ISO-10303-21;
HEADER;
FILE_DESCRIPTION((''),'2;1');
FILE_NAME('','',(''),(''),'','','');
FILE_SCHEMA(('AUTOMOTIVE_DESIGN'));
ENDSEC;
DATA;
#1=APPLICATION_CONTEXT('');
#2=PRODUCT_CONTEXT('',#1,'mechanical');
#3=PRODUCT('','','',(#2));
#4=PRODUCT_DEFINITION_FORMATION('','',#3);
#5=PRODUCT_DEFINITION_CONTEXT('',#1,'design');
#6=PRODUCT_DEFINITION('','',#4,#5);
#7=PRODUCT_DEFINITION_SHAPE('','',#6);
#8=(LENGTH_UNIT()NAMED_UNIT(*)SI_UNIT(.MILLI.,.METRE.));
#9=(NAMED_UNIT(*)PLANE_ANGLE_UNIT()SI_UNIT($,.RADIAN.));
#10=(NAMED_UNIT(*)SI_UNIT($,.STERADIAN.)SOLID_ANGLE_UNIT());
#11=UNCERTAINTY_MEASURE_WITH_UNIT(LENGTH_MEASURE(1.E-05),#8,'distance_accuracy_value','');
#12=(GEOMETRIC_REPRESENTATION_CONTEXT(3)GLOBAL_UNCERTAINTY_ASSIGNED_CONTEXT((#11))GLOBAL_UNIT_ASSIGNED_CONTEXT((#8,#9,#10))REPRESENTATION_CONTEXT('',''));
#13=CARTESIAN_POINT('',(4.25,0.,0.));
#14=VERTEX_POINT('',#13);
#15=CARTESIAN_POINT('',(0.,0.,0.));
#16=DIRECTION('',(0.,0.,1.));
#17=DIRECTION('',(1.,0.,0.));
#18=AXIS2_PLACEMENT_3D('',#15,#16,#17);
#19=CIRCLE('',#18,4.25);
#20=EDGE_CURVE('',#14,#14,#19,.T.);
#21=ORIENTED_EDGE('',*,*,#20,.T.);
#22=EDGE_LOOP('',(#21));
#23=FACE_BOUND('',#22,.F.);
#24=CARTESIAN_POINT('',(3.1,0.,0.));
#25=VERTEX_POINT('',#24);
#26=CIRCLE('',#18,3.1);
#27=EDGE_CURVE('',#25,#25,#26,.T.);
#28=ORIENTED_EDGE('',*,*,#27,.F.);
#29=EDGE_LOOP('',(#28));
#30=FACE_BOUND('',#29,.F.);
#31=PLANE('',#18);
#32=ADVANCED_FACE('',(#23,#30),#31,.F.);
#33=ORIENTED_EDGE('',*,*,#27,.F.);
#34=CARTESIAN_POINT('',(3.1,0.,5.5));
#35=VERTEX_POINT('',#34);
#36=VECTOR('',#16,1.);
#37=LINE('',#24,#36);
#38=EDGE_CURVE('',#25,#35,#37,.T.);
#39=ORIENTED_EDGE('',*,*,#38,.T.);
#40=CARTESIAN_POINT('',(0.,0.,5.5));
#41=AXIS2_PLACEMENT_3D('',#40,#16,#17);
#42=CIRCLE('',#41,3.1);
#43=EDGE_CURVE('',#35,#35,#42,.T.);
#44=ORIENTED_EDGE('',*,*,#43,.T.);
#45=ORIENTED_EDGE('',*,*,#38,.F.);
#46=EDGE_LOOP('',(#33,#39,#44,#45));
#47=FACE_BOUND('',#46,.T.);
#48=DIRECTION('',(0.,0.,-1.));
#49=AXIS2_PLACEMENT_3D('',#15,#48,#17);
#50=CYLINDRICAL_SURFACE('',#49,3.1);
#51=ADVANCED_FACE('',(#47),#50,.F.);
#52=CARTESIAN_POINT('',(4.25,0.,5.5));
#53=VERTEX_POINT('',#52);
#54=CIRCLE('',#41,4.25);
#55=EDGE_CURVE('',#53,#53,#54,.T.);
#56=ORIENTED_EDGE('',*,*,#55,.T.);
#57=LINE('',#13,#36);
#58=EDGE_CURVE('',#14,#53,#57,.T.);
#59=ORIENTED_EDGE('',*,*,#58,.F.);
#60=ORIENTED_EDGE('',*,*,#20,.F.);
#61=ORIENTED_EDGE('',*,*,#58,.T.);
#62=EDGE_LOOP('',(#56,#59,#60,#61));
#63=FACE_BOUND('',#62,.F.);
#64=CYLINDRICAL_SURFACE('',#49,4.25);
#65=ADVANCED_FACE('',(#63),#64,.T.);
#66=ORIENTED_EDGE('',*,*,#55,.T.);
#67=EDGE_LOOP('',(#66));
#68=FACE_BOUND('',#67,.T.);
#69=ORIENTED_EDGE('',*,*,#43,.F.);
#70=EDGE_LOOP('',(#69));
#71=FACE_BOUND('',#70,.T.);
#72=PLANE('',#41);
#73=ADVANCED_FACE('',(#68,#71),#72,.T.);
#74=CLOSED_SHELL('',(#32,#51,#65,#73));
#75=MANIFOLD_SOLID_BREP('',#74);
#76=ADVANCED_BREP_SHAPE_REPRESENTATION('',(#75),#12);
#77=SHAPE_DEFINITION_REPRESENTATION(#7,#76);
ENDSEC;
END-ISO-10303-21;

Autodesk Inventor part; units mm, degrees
ref_plane "YZ Plane" through (0, 0, 0) normal (1, 0, 0) x (0, 1, 0)
ref_plane "XZ Plane" through (0, 0, 0) normal (0, 1, 0) x (-1, 0, 0)
ref_plane "XY Plane" through (0, 0, 0) normal (0, 0, 1) x (1, 0, 0)
sketch "Skizze1" plane through (0, 0, 0) normal (0, 0, 1) x (1, 0, 0)
  circle A0 centre (0, 0) radius 3.1
  circle A1 centre (0, 0) radius 4.25
  dimension "d0" = 6.2
  dimension "d1" = 8.5
extrude "Extrusion1" add sketch "Skizze1" along normal blind 5.5
properties part number "Distanzscheibe_Riemen_Sensorbox"
